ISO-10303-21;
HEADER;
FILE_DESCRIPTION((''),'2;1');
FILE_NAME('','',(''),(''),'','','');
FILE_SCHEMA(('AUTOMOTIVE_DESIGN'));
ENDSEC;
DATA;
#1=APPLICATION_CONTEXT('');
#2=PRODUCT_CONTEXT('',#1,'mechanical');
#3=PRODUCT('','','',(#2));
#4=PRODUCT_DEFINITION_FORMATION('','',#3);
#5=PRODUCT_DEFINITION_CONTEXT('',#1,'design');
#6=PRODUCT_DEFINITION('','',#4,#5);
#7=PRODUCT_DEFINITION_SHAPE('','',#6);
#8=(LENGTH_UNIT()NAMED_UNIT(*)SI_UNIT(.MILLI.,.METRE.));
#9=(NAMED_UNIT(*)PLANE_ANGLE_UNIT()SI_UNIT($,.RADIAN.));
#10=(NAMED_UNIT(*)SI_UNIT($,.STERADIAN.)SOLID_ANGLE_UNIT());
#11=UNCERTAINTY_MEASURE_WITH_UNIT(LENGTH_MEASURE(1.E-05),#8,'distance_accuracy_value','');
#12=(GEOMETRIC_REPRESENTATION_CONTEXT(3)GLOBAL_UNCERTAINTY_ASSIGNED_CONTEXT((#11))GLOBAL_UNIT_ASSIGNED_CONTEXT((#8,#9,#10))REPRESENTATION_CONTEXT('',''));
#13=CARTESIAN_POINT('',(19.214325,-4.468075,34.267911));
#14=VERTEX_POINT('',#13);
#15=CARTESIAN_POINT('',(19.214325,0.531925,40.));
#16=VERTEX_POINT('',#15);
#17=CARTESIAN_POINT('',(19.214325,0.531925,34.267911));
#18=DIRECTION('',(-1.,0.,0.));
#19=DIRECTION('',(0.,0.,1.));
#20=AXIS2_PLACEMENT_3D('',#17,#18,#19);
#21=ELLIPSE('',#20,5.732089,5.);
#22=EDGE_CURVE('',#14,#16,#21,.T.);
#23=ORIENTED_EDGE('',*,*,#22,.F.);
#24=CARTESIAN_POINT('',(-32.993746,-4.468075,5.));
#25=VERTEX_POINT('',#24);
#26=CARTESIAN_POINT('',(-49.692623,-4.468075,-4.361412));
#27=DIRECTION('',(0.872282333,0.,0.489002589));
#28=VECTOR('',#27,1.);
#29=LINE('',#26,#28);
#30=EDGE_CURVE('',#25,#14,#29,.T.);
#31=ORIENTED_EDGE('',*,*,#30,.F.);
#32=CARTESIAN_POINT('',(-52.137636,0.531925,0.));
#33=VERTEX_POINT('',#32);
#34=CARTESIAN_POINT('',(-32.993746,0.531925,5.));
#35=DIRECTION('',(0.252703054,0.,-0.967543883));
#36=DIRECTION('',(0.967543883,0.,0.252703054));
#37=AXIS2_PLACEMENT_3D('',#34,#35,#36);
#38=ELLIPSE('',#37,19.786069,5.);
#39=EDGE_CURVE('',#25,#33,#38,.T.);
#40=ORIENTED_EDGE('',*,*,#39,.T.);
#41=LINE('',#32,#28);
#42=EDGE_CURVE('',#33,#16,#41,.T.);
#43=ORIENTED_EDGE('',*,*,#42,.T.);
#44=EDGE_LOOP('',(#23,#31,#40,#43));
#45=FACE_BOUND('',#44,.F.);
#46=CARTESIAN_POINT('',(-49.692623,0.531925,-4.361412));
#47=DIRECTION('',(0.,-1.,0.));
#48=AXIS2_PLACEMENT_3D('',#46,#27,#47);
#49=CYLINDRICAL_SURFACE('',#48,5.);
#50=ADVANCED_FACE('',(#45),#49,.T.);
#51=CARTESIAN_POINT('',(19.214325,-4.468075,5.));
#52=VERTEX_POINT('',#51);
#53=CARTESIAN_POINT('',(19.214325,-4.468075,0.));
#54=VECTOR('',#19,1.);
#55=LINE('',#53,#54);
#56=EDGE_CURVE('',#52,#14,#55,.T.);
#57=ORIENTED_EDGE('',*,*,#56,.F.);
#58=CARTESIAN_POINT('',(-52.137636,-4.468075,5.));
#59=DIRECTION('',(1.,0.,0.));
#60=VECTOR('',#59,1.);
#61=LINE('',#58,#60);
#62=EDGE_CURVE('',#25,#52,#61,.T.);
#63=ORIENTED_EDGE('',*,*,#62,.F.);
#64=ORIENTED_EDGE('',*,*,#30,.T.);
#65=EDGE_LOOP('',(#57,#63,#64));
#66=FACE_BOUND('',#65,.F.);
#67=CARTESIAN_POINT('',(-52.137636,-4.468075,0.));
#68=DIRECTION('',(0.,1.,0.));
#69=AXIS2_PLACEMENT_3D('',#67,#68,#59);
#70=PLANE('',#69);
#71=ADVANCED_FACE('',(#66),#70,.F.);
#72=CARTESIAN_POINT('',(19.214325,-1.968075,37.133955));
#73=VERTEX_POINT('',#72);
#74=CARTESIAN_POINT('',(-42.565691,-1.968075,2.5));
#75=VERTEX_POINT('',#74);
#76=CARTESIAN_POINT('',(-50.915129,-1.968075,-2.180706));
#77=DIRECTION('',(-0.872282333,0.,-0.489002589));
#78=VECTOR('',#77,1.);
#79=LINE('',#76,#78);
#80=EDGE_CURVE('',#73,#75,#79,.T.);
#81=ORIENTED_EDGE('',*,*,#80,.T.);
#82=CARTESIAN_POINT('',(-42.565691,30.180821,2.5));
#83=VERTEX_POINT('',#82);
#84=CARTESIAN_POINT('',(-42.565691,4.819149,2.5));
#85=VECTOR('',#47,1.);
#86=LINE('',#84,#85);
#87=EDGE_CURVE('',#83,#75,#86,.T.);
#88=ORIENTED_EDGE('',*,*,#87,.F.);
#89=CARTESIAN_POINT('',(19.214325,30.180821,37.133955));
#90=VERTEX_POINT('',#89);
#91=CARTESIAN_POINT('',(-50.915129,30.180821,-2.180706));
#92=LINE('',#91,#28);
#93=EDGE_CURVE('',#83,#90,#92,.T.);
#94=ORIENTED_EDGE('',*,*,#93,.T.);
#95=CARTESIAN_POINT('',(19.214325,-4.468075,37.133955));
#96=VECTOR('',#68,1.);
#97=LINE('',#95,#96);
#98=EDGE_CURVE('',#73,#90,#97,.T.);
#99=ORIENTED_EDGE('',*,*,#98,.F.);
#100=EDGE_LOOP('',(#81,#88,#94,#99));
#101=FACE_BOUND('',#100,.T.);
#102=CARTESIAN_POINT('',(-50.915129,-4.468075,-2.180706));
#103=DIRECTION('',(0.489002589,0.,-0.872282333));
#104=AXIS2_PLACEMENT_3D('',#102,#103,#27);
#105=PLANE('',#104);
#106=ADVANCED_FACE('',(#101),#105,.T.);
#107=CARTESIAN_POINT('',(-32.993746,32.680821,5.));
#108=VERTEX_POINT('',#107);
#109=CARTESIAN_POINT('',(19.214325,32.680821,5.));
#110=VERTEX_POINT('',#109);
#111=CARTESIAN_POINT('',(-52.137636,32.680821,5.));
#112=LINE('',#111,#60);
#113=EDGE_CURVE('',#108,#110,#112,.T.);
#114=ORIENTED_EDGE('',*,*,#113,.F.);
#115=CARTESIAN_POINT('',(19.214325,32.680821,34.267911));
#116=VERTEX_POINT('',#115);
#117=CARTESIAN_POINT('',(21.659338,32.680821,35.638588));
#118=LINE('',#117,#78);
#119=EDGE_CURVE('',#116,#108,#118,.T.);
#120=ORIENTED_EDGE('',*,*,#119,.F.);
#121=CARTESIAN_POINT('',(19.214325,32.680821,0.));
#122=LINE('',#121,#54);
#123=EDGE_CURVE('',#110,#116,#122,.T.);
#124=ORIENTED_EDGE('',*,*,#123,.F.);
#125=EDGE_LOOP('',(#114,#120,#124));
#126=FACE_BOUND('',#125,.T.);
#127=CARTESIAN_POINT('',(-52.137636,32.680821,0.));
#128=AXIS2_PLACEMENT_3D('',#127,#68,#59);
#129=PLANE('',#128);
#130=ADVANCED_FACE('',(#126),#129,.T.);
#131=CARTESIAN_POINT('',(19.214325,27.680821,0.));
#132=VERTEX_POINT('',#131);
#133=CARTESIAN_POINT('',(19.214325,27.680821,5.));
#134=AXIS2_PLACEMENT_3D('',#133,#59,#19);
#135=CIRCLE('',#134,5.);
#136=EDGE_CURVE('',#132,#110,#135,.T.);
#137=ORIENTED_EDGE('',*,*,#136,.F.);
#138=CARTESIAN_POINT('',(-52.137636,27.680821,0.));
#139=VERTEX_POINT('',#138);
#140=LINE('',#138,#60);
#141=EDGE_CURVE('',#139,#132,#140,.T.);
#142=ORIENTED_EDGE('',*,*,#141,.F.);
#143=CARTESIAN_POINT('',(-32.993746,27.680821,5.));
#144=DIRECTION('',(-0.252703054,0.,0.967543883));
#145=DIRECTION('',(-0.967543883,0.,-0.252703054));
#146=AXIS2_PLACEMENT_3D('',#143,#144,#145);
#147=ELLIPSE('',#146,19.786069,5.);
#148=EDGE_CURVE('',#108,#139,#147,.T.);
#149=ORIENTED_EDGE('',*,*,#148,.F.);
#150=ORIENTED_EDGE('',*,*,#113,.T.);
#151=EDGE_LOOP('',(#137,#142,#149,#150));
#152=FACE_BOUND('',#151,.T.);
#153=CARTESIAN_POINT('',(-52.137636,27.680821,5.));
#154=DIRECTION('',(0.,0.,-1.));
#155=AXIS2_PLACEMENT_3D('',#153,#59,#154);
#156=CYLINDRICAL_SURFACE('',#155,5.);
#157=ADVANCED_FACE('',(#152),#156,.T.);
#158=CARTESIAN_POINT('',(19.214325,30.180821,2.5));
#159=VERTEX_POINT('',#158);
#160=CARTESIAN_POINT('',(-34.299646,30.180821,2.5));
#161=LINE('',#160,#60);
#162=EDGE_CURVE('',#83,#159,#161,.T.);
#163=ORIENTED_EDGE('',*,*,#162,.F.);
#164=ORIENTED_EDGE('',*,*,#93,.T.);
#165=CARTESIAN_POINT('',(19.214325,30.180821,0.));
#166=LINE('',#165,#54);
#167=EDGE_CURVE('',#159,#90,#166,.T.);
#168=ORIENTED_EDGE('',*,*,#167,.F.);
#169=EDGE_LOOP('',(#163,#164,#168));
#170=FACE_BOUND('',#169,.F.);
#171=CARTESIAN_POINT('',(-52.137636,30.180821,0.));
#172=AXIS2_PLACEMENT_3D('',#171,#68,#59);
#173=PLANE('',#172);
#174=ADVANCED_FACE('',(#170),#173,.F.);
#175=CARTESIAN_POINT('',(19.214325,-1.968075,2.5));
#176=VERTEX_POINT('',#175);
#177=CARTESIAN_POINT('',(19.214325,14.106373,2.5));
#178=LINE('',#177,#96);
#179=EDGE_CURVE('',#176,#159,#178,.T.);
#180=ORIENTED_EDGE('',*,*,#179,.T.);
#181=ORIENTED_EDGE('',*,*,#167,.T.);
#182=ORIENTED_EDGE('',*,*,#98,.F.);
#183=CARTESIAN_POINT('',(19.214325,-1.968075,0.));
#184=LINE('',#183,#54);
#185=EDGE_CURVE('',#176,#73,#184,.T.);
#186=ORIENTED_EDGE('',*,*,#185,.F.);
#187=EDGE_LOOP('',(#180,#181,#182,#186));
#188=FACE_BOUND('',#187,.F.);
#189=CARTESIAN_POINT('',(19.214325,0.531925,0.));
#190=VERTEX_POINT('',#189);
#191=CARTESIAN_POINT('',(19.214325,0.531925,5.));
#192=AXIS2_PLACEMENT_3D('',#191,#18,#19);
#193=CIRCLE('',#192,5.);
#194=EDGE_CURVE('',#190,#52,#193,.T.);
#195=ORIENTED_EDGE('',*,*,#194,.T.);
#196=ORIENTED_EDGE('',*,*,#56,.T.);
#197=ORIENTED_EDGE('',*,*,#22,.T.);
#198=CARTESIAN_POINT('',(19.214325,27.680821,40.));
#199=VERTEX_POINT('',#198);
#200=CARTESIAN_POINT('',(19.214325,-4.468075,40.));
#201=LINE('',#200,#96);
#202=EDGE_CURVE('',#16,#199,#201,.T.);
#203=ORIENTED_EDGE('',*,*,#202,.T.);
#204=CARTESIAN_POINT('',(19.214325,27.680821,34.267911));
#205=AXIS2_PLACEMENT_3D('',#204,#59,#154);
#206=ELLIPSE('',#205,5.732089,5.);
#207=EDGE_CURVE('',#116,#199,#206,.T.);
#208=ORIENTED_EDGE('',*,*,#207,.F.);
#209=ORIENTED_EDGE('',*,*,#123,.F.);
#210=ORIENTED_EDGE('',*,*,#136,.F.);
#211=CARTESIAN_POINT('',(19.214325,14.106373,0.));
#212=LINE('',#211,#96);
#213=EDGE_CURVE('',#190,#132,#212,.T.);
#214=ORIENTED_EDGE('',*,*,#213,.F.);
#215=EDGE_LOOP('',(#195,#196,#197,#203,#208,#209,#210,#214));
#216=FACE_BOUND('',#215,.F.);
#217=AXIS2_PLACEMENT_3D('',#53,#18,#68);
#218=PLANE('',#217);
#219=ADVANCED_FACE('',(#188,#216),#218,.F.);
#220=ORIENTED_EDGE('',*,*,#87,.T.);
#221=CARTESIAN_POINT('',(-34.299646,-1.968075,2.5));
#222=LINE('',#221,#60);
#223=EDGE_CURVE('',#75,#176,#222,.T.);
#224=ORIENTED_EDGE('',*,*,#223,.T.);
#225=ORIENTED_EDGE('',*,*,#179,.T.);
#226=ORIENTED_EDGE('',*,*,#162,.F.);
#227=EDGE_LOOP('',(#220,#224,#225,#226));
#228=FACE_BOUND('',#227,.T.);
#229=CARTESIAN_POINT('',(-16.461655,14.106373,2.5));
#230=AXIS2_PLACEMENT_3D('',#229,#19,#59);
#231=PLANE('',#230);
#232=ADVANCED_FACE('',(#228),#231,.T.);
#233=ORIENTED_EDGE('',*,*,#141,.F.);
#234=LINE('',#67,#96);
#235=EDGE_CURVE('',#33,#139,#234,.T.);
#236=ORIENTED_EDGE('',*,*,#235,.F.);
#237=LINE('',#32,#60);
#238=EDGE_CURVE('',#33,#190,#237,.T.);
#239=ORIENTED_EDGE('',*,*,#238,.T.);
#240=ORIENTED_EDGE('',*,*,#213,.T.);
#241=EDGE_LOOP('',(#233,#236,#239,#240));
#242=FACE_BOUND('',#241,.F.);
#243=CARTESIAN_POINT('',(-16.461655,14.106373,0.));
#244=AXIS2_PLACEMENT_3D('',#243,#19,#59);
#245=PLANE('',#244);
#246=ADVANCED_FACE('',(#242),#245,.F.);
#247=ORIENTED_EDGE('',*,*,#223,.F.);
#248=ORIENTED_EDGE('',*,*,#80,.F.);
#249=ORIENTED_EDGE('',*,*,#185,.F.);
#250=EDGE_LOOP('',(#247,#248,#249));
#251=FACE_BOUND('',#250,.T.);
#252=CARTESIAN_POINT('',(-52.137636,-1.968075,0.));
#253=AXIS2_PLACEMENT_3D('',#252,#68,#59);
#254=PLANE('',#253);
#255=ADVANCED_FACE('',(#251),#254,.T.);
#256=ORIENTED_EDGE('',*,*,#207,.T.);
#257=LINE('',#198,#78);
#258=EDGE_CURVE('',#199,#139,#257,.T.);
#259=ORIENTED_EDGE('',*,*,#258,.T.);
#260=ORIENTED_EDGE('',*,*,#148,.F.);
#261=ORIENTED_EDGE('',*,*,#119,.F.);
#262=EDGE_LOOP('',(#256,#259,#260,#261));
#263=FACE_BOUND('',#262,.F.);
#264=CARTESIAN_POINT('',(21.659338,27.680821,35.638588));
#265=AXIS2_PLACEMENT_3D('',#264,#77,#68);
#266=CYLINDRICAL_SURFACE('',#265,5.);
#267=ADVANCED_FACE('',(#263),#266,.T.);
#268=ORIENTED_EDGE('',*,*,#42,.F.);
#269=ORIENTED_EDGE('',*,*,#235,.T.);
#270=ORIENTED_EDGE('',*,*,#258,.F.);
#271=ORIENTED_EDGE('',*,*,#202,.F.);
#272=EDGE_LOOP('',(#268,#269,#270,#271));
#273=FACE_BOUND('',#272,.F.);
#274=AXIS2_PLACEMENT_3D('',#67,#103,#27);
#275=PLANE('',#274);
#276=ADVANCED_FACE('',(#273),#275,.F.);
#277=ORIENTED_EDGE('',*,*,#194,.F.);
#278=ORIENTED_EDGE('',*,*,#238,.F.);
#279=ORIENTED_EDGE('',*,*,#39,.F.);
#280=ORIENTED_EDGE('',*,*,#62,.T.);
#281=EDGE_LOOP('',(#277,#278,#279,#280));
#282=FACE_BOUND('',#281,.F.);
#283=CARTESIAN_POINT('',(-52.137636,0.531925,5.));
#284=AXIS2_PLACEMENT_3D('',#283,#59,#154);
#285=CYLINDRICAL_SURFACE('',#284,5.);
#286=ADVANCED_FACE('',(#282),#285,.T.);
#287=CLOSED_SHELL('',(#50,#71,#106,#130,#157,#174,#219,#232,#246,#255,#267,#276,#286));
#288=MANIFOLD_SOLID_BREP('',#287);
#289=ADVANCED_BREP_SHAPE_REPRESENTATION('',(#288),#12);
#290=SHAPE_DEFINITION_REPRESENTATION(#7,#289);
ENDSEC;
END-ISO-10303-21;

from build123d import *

# Parameters (mm, degrees)
F0_W     = 71.3519603014
F0_H     = 37.1488952078
F1_DEPTH = 40
F3_DEPTH = 25
F4_DEPTH = 12.1498952078
F5_T     = -2.5
F6_R     = 5


with BuildPart() as f1:
    # F0 (on Top) → F1 (new body)
    with BuildSketch(Plane.XY):
        with Locations((-16.4616554976, 14.1063730698)):
            Rectangle(F0_W, F0_H)
    extrude(amount=F1_DEPTH)

    # F2 (on face) → F3 (cut)
    with BuildSketch(Plane.XZ.offset(4.4680745341)):
        Polygon((-52.1376356483, 40), (-52.1376356483, 0), (19.2143246531, 40), align=None)
    extrude(amount=-F3_DEPTH, mode=Mode.SUBTRACT)

    # F4 (cut, through all): a face of the model
    f4_faces = [f1.faces().sort_by_distance(p)[0] for p in [
        (-28.3536488811, 20.5319254659, 26.6666666667),
    ]]
    extrude(f4_faces, amount=-F4_DEPTH, mode=Mode.SUBTRACT)

    # F5
    f5_openings = [f1.faces().sort_by_distance(p)[0] for p in [
        (19.214325, 14.106373, 20),
    ]]
    offset(amount=F5_T, openings=f5_openings)

    # F6
    f6_edges = [f1.edges().sort_by_distance(p)[0] for p in [
        (-16.461655, 32.680821, 20),
        (-16.461655, 32.680821, 0),
        (-16.461655, -4.468075, 20),
        (-16.461655, -4.468075, 0),
    ]]
    fillet(f6_edges, radius=F6_R)


solid = f1.part
